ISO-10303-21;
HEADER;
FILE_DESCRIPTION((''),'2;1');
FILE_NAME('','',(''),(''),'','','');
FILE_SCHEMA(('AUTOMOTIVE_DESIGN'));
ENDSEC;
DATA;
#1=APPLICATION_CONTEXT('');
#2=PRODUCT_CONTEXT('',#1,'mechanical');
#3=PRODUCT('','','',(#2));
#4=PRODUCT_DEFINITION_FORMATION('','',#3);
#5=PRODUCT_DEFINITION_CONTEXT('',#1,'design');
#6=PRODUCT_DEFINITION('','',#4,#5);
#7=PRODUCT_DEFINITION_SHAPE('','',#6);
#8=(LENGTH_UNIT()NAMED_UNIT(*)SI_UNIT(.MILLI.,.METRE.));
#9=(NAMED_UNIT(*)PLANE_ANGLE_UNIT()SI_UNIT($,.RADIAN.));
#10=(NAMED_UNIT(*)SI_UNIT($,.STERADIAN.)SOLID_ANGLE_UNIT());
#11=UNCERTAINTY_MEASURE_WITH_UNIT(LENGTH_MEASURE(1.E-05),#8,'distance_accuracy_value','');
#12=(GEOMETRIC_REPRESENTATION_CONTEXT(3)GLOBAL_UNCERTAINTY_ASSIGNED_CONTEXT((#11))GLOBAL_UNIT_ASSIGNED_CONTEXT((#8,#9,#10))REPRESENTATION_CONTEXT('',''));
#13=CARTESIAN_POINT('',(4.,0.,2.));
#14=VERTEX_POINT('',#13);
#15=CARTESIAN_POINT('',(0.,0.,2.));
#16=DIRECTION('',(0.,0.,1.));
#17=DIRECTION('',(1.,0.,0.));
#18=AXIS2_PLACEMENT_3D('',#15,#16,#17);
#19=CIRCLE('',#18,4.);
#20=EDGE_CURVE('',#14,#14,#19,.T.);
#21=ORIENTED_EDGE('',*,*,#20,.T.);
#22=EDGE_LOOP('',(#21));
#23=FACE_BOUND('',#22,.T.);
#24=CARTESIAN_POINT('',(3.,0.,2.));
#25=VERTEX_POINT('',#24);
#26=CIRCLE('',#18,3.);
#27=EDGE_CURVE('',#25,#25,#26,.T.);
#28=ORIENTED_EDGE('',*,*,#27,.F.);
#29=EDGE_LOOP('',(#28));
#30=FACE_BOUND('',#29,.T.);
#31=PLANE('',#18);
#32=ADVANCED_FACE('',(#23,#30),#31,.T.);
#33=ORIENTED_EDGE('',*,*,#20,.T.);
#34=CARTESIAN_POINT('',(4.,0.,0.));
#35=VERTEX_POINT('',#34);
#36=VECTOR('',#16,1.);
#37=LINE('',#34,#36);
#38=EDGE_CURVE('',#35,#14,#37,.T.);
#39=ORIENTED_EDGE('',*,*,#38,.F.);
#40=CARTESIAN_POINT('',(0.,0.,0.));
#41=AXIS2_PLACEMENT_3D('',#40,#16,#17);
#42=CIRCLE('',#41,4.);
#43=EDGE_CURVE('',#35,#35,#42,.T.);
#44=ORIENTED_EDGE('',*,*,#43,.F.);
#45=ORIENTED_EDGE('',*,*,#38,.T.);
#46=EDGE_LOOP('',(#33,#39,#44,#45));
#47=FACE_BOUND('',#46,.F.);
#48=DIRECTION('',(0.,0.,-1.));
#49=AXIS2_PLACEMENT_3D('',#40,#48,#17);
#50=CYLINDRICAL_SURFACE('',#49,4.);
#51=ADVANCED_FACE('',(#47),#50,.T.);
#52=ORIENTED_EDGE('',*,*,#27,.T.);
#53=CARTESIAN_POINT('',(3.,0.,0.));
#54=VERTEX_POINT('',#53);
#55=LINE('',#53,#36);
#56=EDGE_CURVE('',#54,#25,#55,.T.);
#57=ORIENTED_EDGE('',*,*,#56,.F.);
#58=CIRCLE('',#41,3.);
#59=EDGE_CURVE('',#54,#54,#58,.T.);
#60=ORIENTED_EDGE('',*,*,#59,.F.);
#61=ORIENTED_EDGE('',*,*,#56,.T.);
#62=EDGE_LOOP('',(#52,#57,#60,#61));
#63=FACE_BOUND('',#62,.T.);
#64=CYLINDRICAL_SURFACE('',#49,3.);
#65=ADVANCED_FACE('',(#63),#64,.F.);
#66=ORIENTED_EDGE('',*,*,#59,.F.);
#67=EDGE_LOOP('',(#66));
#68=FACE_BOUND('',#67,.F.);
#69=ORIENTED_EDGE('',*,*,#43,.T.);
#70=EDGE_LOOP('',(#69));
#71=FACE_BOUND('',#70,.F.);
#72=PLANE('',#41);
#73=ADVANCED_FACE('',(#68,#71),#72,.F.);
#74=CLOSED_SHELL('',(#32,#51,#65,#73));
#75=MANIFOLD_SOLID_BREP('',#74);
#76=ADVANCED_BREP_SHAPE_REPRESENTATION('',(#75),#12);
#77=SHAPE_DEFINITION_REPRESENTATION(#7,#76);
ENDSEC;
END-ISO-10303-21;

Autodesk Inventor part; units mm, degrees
ref_plane "YZ Plane" through (0, 0, 0) normal (1, 0, 0) x (0, 1, 0)
ref_plane "XZ Plane" through (0, 0, 0) normal (0, 1, 0) x (-1, 0, 0)
ref_plane "XY Plane" through (0, 0, 0) normal (0, 0, 1) x (1, 0, 0)
sketch "スケッチ1" plane through (0, 0, 0) normal (0, 0, 1) x (1, 0, 0)
  circle A0 centre (0, 0) radius 4
  circle A1 centre (0, 0) radius 3
  dimension "d0" = 8
  dimension "d1" = 1
extrude "押し出し1" add sketch "スケッチ1" along normal blind 2
properties part number "オイレス外径8内径6L2" material "アセタール樹脂、黒"
